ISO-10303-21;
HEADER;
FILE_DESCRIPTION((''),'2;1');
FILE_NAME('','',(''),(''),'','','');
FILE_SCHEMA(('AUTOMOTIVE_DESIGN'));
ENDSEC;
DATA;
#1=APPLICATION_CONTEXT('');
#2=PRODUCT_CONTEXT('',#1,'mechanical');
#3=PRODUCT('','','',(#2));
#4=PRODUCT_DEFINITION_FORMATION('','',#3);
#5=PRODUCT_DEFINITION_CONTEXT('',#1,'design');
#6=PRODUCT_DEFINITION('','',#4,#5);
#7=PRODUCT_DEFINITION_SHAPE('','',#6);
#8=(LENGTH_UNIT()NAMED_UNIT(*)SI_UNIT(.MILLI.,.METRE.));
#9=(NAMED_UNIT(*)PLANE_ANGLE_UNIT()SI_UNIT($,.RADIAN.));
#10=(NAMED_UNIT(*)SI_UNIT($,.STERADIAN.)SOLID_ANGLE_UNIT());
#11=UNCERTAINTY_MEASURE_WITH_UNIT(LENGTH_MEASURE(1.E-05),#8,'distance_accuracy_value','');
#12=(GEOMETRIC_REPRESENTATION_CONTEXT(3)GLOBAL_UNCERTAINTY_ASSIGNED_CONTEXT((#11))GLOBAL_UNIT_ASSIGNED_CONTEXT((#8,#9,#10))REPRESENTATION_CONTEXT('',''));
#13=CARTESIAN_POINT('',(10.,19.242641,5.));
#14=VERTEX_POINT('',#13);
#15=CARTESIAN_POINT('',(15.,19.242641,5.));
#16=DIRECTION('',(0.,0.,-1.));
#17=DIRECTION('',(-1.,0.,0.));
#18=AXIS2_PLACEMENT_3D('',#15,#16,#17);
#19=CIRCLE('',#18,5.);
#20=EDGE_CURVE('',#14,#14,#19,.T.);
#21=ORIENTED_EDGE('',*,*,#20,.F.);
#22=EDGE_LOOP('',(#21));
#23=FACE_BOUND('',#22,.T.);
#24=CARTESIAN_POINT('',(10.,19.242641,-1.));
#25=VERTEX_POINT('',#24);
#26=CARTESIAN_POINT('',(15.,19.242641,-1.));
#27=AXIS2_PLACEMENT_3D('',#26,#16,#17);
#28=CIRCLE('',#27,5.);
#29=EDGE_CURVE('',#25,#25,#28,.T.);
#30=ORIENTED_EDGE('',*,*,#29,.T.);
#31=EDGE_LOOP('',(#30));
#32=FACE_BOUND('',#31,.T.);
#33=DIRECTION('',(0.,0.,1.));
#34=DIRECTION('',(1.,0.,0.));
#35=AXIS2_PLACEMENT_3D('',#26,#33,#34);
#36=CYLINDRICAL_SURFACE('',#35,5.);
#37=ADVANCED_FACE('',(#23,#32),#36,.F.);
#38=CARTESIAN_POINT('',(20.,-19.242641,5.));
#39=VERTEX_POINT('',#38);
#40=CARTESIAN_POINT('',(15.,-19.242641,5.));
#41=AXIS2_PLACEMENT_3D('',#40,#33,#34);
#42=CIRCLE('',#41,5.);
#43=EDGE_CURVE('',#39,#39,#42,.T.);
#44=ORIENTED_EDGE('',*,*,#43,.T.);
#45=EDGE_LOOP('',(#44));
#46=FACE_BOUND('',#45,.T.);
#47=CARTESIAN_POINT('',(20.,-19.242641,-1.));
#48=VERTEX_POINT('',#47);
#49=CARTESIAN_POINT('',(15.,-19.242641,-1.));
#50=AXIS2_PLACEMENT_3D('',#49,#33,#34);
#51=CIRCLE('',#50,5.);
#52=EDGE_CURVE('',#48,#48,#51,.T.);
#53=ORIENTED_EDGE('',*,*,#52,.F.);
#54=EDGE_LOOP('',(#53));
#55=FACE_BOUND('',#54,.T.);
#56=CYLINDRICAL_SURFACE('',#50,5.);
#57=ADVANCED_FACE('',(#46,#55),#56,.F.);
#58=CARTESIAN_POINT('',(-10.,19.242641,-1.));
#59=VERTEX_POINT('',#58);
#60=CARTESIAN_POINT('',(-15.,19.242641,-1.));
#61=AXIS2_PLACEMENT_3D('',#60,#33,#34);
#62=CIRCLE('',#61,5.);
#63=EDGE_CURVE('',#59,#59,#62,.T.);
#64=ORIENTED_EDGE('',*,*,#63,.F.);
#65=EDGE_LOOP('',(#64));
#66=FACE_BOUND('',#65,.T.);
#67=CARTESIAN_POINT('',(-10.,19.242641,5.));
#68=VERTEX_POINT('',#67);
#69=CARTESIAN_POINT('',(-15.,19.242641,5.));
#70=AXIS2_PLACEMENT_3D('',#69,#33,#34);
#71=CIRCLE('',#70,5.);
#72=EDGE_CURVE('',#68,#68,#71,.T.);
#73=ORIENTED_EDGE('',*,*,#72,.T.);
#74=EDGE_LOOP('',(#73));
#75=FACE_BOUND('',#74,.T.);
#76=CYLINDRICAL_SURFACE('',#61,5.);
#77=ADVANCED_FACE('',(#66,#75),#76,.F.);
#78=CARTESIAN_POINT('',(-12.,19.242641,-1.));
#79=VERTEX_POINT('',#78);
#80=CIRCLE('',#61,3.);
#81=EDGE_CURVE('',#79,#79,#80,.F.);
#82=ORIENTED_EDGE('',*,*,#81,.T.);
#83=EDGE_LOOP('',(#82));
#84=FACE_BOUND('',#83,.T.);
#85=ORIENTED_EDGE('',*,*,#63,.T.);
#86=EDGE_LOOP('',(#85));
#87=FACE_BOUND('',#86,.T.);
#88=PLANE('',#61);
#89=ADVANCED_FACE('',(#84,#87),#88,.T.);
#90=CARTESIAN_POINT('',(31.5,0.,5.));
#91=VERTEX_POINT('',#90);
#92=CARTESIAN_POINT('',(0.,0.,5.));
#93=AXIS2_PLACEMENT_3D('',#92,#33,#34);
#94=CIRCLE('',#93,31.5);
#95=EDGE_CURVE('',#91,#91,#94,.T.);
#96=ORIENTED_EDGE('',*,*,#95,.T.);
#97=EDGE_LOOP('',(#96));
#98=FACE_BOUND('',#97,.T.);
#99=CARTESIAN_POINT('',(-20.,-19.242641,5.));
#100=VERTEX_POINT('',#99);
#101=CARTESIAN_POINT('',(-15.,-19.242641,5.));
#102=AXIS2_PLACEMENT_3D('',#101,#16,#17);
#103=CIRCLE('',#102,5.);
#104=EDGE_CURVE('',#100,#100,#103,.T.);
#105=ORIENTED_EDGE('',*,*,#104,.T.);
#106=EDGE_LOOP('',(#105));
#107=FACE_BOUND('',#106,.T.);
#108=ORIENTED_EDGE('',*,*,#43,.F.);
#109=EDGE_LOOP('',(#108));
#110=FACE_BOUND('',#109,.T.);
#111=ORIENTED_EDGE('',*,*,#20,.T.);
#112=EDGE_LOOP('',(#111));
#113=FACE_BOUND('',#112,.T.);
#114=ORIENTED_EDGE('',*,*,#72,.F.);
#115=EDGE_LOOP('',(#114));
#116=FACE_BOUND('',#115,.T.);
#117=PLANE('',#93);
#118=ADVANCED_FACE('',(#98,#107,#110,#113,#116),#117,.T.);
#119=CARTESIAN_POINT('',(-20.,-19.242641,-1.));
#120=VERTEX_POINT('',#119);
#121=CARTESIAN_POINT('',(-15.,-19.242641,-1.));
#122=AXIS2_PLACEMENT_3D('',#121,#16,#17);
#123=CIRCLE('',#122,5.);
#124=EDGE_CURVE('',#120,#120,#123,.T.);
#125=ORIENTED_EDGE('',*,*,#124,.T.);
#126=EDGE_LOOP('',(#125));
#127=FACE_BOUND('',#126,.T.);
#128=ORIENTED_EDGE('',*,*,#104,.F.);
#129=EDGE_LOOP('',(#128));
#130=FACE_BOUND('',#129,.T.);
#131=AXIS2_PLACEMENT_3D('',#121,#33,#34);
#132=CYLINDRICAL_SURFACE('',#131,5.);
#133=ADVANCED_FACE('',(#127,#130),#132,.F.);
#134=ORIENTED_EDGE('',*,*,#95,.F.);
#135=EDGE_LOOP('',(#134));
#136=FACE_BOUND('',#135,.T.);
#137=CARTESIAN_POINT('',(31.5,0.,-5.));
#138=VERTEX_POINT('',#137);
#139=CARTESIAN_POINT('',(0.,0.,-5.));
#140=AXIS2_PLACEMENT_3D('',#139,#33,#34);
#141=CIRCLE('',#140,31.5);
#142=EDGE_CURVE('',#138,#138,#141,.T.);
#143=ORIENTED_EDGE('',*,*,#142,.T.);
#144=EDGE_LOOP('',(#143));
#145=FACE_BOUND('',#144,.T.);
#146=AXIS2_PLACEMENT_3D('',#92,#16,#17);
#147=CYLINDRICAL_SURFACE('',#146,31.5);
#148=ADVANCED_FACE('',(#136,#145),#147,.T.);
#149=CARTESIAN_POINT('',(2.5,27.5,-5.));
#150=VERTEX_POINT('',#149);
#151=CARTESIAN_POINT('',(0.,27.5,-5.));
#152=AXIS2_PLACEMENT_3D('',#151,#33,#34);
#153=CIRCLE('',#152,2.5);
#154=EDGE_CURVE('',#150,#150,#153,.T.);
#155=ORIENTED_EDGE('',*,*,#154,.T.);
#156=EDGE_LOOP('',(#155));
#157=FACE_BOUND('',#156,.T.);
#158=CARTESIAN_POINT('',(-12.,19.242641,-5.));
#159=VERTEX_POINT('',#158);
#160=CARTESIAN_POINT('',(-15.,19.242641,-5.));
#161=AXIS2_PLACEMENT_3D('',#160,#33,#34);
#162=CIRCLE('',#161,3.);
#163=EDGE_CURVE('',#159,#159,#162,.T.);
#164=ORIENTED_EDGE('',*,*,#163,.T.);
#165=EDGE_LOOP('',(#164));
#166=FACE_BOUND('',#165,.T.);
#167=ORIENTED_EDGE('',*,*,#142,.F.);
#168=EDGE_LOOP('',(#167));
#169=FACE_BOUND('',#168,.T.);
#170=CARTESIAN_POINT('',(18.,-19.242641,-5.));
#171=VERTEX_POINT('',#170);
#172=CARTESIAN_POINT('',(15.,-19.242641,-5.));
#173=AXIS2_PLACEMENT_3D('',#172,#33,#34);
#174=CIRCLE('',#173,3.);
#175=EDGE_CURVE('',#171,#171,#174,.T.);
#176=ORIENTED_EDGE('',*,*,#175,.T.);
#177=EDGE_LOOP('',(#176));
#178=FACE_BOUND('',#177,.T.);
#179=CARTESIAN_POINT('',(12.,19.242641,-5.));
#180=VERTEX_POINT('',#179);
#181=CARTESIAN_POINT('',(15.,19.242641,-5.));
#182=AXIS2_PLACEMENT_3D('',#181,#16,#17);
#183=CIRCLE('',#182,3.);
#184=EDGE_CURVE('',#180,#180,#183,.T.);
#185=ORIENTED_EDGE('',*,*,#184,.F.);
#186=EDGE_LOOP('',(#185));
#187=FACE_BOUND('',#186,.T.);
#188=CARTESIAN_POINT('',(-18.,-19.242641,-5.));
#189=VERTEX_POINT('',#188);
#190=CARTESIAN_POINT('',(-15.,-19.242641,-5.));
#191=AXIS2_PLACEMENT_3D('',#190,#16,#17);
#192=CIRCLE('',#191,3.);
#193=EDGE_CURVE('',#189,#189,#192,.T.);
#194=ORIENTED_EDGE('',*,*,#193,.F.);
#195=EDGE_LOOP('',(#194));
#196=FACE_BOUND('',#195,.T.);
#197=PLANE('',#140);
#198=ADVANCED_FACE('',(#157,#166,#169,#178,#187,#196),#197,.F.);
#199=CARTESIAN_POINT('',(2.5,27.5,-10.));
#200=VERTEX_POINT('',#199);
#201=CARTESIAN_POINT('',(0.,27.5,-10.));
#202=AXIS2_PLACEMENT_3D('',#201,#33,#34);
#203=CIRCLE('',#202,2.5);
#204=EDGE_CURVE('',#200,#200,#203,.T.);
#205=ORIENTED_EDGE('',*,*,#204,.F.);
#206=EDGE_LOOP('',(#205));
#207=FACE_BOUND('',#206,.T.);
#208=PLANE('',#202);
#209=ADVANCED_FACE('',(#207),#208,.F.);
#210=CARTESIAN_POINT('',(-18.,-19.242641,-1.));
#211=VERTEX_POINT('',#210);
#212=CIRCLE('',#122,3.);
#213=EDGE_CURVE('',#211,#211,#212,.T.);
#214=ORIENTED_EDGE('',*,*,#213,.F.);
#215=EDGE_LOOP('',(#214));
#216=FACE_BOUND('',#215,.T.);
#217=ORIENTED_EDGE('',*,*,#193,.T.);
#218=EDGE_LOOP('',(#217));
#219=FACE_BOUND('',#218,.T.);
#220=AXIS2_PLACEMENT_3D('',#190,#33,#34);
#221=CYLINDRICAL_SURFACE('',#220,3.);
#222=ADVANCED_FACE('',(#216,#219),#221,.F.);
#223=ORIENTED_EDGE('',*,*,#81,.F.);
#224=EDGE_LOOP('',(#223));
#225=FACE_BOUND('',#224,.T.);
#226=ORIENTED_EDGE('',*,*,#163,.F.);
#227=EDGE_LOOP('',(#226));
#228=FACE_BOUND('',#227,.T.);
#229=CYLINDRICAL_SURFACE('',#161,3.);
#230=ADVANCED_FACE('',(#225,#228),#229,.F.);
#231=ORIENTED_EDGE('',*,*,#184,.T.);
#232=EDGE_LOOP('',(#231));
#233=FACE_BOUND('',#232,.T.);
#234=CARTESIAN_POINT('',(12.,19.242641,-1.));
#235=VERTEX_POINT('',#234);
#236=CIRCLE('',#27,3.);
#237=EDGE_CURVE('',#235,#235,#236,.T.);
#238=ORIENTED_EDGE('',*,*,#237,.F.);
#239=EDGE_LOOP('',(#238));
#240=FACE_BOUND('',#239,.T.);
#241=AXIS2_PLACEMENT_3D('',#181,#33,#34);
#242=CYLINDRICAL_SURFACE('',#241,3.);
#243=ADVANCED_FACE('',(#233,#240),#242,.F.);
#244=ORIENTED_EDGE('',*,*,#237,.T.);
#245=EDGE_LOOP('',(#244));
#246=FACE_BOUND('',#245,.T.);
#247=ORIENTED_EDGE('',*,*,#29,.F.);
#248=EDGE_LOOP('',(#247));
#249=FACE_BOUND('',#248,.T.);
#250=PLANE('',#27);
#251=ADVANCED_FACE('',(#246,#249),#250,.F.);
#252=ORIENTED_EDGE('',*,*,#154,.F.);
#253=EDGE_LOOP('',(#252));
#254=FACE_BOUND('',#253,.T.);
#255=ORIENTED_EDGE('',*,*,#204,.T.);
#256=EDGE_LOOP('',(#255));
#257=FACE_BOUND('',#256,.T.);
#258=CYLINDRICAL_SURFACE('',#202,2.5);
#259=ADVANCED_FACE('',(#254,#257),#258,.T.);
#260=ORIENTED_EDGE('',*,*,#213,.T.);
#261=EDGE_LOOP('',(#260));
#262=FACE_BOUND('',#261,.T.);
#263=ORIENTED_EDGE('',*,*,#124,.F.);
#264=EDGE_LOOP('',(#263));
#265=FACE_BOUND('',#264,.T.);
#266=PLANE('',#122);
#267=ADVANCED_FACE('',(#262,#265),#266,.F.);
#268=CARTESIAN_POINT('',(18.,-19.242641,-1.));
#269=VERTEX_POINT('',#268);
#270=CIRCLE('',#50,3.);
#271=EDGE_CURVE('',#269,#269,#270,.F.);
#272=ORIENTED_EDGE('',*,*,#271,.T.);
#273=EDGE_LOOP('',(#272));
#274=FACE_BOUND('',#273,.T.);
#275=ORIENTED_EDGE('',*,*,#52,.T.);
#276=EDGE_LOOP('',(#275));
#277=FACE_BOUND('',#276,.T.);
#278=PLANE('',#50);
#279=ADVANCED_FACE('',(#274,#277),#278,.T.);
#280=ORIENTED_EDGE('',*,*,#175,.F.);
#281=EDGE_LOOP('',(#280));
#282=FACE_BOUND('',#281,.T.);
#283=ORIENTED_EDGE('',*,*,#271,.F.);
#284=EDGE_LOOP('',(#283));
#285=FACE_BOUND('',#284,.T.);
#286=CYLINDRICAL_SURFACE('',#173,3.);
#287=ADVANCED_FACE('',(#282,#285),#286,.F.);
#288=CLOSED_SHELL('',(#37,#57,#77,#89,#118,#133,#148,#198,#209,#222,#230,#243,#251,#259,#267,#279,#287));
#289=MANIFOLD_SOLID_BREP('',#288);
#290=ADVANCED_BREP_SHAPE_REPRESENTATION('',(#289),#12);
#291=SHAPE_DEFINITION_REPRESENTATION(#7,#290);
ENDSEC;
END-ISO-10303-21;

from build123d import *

# Parameters (mm, degrees)
SKETCH1_R           = 31.5
BOSS_EXTRUDE1_DEPTH = 5
SKETCH2_R           = 3
CUT_EXTRUDE1_DEPTH  = 11
SKETCH2_4_R         = 2.5
BOSS_EXTRUDE2_DEPTH = 15
SKETCH2_5_R         = 5
CUT_EXTRUDE2_DEPTH  = 6


with BuildPart() as part:
    # Sketch1 → Boss-Extrude1 (new body, symmetric)
    with BuildSketch(Plane.XY):
        Circle(SKETCH1_R)
    extrude(amount=BOSS_EXTRUDE1_DEPTH, both=True)

    # Sketch2 → Cut-Extrude1 (cut, through all)
    with BuildSketch(Plane.XY.offset(5)):
        with Locations((-15, 19.242640687)):
            Circle(SKETCH2_R)
        with Locations((-15, -19.242640687)):
            Circle(SKETCH2_R)
        with Locations((15, -19.242640687)):
            Circle(SKETCH2_R)
        with Locations((15, 19.242640687)):
            Circle(SKETCH2_R)
    extrude(amount=-CUT_EXTRUDE1_DEPTH, mode=Mode.SUBTRACT)

    # Sketch2<4> → Boss-Extrude2 (add)
    with BuildSketch(Plane.XY.offset(5)):
        with Locations((0, 27.5)):
            Circle(SKETCH2_4_R)
    extrude(amount=-BOSS_EXTRUDE2_DEPTH)

    # Sketch2<5> → Cut-Extrude2 (cut)
    with BuildSketch(Plane.XY.offset(5)):
        with Locations((-15, 19.242640687)):
            Circle(SKETCH2_5_R)
        with Locations((-15, -19.242640687)):
            Circle(SKETCH2_5_R)
        with Locations((15, -19.242640687)):
            Circle(SKETCH2_5_R)
        with Locations((15, 19.242640687)):
            Circle(SKETCH2_5_R)
    extrude(amount=-CUT_EXTRUDE2_DEPTH, mode=Mode.SUBTRACT)


solid = part.part
